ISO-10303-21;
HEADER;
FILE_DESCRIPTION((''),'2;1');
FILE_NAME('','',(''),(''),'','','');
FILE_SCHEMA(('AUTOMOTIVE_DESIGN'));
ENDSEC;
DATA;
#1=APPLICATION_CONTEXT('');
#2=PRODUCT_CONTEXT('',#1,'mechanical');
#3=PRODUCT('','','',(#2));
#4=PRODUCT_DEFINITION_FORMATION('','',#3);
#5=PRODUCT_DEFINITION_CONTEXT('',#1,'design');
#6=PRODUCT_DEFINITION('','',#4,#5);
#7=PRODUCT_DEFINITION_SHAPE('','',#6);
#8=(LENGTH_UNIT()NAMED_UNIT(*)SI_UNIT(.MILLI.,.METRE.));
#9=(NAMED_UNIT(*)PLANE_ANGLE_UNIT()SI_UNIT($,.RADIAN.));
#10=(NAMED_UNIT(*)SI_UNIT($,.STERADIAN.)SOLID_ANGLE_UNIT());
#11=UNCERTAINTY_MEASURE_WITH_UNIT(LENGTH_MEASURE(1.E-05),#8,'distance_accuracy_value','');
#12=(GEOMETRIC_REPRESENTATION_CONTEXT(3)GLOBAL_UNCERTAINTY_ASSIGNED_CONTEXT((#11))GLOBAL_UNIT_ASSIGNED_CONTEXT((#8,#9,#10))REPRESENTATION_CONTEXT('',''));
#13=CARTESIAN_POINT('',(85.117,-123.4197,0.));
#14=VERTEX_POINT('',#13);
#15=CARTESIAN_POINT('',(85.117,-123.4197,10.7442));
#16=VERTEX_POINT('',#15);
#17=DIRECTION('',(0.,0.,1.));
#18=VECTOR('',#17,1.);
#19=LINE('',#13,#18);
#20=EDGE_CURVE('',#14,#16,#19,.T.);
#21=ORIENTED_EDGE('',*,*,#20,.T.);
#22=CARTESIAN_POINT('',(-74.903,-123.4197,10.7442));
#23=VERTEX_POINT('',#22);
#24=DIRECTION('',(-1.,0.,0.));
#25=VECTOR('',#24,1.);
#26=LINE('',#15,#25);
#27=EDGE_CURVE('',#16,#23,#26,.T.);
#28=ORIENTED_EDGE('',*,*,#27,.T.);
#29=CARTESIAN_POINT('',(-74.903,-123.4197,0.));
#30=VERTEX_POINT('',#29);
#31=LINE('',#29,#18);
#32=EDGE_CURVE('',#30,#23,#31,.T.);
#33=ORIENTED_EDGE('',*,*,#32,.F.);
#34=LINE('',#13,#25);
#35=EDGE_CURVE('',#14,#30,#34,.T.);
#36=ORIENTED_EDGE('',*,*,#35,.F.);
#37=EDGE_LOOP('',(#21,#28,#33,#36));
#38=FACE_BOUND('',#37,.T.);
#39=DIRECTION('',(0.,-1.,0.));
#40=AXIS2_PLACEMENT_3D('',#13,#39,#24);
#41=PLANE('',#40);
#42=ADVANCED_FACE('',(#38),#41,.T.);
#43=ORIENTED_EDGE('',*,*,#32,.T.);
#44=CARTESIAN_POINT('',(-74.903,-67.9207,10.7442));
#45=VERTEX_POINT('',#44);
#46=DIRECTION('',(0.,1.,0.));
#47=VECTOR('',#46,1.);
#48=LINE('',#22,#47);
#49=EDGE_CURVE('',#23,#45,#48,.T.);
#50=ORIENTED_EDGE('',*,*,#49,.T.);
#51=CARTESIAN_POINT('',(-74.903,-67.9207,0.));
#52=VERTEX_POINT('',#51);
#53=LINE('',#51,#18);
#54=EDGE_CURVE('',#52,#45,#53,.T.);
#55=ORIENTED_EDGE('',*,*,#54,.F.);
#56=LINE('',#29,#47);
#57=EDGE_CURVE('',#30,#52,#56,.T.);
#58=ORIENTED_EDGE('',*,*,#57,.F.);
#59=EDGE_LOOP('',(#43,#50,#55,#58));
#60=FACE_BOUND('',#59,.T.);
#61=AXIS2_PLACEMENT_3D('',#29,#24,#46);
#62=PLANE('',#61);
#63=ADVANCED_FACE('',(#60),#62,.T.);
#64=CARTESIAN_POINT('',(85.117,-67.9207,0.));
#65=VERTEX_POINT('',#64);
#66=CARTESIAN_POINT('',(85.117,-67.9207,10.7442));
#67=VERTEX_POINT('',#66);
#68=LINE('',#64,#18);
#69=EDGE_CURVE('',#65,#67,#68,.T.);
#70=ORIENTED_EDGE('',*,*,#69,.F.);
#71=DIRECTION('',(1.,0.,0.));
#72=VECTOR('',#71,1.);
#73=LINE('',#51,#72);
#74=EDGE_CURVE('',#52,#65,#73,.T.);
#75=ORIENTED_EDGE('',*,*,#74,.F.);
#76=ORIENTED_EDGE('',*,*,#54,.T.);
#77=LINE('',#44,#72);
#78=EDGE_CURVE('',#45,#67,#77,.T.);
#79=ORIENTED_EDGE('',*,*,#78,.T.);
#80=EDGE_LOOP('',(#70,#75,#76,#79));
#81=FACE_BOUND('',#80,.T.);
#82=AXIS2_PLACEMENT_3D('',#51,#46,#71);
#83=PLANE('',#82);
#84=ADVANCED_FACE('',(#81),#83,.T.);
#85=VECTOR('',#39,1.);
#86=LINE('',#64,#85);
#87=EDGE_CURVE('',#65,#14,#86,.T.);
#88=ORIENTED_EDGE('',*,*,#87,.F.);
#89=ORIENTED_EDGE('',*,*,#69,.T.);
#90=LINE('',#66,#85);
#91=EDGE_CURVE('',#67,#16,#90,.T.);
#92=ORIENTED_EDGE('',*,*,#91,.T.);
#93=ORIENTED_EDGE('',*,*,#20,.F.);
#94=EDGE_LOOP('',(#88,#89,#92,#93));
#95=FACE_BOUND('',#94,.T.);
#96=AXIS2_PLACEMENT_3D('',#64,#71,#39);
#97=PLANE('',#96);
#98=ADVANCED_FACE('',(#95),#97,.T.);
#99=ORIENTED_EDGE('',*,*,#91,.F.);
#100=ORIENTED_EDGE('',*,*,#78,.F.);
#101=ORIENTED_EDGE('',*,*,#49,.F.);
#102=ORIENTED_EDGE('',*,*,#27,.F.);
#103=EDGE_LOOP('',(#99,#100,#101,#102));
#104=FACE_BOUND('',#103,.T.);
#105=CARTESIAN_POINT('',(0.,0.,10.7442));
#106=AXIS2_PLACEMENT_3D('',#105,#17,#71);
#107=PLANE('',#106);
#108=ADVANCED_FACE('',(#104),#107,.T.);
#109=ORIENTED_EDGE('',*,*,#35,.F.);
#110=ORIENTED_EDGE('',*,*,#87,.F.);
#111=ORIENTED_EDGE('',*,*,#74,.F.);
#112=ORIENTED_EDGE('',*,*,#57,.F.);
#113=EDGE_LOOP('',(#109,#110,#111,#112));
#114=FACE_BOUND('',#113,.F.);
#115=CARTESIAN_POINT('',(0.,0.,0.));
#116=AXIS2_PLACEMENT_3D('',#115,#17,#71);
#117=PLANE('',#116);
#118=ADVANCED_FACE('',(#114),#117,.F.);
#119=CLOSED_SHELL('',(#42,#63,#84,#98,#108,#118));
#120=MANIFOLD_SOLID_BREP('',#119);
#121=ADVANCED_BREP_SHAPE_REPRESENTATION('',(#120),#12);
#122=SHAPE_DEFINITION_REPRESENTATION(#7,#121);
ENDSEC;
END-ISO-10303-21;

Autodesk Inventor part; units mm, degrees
ref_plane "YZ Plane" through (0, 0, 0) normal (1, 0, 0) x (0, 1, 0)
ref_plane "XZ Plane" through (0, 0, 0) normal (0, 1, 0) x (-1, 0, 0)
ref_plane "XY Plane" through (0, 0, 0) normal (0, 0, 1) x (1, 0, 0)
sketch "Sketch1" plane through (0, 0, 0) normal (0, 0, 1) x (1, 0, 0)
  line L0 (-74.903, -67.9207) -> (85.117, -67.9207)
  line L1 (85.117, -67.9207) -> (85.117, -123.4197)
  line L2 (85.117, -123.4197) -> (-74.903, -123.4197)
  line L3 (-74.903, -123.4197) -> (-74.903, -67.9207)
  point P0 (0, 0)
  dimension "d0" = 160.02
  dimension "d1" = 55.499
extrude "Extrusion1" add sketch "Sketch1" along normal blind 10.7442
properties part number "RTS Board"
